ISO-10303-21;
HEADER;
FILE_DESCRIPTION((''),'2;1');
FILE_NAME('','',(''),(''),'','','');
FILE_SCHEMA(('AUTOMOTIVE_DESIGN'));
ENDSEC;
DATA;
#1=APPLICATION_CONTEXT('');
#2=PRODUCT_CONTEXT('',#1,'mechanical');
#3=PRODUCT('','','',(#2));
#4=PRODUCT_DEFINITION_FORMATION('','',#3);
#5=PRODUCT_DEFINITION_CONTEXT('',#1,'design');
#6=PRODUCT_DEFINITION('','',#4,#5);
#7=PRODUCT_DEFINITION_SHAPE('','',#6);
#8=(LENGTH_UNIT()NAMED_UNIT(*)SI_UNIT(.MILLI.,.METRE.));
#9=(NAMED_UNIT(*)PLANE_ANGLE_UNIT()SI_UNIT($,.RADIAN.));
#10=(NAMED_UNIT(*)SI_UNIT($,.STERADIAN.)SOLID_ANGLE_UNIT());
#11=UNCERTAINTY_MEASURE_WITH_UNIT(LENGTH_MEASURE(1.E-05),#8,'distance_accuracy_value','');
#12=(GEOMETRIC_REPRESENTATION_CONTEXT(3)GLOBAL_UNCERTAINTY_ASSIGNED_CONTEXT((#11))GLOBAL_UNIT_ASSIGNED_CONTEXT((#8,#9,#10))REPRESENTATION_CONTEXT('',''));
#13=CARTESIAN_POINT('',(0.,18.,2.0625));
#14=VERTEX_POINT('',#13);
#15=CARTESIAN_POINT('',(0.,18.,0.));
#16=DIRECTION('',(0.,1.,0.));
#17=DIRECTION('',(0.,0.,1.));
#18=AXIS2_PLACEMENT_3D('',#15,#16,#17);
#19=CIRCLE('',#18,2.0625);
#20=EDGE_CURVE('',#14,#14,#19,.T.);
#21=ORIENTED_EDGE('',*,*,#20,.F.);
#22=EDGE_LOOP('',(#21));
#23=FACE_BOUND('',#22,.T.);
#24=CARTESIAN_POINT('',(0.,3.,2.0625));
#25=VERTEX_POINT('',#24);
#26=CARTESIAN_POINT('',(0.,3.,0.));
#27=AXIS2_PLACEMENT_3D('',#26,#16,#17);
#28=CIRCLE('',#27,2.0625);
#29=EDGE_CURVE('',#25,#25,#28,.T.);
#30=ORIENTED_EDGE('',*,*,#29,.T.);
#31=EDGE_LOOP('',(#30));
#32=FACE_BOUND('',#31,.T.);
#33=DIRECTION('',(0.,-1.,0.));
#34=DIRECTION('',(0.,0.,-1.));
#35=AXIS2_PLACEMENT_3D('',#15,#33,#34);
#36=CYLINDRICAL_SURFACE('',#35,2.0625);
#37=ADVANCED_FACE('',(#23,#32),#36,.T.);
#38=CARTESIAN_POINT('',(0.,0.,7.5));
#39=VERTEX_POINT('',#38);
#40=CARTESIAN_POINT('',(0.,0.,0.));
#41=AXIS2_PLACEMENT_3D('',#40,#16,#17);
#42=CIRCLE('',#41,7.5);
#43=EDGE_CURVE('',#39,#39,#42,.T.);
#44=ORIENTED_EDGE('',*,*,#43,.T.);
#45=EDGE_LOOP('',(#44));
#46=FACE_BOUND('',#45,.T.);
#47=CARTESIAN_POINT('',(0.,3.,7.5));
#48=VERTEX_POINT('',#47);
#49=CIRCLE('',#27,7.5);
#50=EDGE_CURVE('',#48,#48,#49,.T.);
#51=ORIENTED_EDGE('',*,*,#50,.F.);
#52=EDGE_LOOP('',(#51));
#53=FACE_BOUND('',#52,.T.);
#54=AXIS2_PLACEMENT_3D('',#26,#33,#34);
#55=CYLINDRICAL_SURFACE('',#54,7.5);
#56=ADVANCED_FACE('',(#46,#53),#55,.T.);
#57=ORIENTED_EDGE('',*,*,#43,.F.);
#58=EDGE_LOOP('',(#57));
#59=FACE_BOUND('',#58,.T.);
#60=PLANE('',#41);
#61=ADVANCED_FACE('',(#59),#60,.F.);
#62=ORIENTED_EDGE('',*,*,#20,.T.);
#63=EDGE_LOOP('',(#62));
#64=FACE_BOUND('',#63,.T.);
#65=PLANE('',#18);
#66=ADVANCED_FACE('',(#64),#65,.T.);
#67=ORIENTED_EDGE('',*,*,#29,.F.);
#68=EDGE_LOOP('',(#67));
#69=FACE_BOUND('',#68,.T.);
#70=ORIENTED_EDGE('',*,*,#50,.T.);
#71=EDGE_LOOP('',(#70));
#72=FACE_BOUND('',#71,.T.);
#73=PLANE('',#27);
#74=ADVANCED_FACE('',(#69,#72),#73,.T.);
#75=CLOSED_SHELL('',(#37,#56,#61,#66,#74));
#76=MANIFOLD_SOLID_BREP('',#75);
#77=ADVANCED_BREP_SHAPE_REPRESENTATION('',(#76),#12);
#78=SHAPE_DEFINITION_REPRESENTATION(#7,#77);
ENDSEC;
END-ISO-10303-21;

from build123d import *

# Parameters (mm, degrees)
SKETCH_1_R      = 7.5
EXTRUDE_1_DEPTH = 3
SKETCH_2_R      = 2.0625
EXTRUDE_2_DEPTH = 15


with BuildPart() as part:
    # 스케치1 → 보스-돌출1 (new body)
    with BuildSketch(Plane(origin=(0, 0, 0), x_dir=(1, 0, 0), z_dir=(0, 1, 0))):
        with Locations(Location((0, 0, 0), (0, 0, 270))):
            Circle(SKETCH_1_R)
    extrude(amount=EXTRUDE_1_DEPTH)

    # 스케치2 → 보스-돌출2 (add)
    with BuildSketch(Plane(origin=(0, 3, 0), x_dir=(1, 0, 0), z_dir=(0, 1, 0))):
        with Locations(Location((0, 0, 0), (0, 0, 270))):
            Circle(SKETCH_2_R)
    extrude(amount=EXTRUDE_2_DEPTH)


solid = part.part
